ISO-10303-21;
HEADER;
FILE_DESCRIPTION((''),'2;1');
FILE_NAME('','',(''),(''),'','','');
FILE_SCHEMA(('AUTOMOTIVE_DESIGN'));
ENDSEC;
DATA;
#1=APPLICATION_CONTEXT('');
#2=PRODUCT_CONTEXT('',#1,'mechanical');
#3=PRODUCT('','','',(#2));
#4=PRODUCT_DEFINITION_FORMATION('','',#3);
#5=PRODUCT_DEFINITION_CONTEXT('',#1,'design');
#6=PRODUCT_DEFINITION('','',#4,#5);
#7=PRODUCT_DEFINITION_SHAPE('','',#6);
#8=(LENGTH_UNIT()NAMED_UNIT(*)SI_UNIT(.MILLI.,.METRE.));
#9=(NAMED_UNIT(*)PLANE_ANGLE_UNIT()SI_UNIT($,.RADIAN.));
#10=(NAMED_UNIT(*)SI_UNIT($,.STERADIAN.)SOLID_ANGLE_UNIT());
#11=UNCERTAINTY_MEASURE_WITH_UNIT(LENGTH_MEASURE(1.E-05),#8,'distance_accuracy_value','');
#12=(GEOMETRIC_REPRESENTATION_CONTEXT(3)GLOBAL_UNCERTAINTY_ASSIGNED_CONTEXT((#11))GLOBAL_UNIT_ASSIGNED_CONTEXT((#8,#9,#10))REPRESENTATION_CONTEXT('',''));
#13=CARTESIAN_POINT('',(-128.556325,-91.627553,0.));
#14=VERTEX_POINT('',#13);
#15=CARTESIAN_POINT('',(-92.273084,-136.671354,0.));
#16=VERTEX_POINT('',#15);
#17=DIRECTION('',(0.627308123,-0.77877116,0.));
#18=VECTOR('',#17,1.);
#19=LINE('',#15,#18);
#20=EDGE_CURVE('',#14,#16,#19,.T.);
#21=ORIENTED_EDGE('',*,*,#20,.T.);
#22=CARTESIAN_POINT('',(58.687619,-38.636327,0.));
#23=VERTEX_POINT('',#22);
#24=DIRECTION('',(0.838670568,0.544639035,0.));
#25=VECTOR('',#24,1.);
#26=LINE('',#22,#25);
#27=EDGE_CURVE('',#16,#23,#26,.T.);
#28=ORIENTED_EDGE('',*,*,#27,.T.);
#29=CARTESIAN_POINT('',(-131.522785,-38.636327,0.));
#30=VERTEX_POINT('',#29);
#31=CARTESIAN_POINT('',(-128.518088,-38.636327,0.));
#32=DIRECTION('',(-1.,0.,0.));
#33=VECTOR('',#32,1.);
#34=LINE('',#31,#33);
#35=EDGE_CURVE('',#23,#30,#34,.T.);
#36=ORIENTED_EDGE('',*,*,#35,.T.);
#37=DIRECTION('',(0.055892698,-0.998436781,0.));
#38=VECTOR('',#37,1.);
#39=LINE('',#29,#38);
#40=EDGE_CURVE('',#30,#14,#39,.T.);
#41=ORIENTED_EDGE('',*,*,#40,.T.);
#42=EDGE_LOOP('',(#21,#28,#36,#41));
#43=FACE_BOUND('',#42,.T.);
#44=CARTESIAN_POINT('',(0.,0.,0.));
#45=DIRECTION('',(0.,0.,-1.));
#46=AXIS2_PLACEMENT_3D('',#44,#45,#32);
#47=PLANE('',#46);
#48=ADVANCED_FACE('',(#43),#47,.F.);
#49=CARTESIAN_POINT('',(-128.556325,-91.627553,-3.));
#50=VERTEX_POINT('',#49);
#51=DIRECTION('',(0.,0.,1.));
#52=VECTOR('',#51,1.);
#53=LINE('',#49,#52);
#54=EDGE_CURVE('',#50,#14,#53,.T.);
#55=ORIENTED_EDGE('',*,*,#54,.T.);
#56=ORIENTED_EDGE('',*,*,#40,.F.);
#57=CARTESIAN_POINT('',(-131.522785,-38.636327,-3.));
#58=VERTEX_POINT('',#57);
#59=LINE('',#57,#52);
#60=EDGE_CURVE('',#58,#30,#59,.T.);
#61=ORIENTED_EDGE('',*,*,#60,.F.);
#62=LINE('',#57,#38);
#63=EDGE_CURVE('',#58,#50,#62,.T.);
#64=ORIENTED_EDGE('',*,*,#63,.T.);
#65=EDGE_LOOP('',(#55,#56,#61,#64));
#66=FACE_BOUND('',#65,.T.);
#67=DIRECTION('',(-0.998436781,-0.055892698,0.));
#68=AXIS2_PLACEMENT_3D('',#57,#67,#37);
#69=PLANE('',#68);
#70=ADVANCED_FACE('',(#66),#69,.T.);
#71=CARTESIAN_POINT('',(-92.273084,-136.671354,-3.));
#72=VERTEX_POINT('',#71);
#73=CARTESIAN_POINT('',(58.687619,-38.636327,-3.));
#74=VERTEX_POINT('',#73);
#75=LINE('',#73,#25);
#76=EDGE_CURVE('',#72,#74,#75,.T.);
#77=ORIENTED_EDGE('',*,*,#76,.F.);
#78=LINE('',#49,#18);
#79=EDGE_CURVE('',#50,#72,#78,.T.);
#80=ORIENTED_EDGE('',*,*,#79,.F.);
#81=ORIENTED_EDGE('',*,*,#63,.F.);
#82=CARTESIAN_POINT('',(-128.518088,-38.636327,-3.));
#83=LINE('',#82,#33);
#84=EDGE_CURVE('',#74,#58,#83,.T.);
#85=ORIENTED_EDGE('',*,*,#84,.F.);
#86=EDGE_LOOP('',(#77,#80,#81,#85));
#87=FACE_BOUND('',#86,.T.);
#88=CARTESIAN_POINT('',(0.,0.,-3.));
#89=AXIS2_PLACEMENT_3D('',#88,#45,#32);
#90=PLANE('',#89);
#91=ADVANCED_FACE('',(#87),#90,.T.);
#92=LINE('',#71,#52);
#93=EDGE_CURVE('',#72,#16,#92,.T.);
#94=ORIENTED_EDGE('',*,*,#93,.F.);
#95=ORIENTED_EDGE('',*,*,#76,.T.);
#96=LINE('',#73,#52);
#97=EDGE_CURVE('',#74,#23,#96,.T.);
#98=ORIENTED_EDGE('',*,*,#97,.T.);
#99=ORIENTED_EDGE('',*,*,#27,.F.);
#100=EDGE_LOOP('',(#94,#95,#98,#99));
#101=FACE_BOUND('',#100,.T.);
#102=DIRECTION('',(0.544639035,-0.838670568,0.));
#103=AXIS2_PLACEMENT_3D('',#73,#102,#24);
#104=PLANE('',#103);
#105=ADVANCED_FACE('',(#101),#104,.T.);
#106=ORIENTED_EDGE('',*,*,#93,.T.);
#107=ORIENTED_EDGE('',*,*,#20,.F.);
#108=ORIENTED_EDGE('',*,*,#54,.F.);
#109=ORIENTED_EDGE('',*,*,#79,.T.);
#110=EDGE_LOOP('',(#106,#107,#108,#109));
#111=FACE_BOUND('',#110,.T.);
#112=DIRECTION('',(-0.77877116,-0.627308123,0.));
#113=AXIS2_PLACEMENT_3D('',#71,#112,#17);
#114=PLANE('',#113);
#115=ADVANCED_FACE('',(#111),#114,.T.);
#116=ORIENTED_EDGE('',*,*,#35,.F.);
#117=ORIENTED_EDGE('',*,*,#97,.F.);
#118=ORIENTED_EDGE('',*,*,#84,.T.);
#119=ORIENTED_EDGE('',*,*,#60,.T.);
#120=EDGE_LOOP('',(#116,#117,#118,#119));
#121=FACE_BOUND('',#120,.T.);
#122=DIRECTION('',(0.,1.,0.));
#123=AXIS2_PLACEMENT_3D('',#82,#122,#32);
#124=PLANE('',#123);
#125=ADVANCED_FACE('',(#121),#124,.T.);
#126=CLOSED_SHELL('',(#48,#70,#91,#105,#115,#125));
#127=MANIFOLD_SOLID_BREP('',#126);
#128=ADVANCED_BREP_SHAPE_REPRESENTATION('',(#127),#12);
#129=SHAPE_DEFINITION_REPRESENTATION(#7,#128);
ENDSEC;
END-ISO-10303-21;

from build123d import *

# Parameters (mm, degrees)
BOSS_EXTRU_1_DEPTH = 3


with BuildPart() as part:
    # Esquisse1 → Boss.-Extru.1 (new body)
    with BuildSketch(Plane.XY):
        Polygon((58.687618568, -38.636327386), (-92.273083662, -136.671353689), (-125.32721644, -95.636327386), (-128.556325483, -91.627552586), (-131.522785253, -38.636327386), (-128.518088254, -38.636327386), align=None)
    extrude(amount=-BOSS_EXTRU_1_DEPTH)


solid = part.part
